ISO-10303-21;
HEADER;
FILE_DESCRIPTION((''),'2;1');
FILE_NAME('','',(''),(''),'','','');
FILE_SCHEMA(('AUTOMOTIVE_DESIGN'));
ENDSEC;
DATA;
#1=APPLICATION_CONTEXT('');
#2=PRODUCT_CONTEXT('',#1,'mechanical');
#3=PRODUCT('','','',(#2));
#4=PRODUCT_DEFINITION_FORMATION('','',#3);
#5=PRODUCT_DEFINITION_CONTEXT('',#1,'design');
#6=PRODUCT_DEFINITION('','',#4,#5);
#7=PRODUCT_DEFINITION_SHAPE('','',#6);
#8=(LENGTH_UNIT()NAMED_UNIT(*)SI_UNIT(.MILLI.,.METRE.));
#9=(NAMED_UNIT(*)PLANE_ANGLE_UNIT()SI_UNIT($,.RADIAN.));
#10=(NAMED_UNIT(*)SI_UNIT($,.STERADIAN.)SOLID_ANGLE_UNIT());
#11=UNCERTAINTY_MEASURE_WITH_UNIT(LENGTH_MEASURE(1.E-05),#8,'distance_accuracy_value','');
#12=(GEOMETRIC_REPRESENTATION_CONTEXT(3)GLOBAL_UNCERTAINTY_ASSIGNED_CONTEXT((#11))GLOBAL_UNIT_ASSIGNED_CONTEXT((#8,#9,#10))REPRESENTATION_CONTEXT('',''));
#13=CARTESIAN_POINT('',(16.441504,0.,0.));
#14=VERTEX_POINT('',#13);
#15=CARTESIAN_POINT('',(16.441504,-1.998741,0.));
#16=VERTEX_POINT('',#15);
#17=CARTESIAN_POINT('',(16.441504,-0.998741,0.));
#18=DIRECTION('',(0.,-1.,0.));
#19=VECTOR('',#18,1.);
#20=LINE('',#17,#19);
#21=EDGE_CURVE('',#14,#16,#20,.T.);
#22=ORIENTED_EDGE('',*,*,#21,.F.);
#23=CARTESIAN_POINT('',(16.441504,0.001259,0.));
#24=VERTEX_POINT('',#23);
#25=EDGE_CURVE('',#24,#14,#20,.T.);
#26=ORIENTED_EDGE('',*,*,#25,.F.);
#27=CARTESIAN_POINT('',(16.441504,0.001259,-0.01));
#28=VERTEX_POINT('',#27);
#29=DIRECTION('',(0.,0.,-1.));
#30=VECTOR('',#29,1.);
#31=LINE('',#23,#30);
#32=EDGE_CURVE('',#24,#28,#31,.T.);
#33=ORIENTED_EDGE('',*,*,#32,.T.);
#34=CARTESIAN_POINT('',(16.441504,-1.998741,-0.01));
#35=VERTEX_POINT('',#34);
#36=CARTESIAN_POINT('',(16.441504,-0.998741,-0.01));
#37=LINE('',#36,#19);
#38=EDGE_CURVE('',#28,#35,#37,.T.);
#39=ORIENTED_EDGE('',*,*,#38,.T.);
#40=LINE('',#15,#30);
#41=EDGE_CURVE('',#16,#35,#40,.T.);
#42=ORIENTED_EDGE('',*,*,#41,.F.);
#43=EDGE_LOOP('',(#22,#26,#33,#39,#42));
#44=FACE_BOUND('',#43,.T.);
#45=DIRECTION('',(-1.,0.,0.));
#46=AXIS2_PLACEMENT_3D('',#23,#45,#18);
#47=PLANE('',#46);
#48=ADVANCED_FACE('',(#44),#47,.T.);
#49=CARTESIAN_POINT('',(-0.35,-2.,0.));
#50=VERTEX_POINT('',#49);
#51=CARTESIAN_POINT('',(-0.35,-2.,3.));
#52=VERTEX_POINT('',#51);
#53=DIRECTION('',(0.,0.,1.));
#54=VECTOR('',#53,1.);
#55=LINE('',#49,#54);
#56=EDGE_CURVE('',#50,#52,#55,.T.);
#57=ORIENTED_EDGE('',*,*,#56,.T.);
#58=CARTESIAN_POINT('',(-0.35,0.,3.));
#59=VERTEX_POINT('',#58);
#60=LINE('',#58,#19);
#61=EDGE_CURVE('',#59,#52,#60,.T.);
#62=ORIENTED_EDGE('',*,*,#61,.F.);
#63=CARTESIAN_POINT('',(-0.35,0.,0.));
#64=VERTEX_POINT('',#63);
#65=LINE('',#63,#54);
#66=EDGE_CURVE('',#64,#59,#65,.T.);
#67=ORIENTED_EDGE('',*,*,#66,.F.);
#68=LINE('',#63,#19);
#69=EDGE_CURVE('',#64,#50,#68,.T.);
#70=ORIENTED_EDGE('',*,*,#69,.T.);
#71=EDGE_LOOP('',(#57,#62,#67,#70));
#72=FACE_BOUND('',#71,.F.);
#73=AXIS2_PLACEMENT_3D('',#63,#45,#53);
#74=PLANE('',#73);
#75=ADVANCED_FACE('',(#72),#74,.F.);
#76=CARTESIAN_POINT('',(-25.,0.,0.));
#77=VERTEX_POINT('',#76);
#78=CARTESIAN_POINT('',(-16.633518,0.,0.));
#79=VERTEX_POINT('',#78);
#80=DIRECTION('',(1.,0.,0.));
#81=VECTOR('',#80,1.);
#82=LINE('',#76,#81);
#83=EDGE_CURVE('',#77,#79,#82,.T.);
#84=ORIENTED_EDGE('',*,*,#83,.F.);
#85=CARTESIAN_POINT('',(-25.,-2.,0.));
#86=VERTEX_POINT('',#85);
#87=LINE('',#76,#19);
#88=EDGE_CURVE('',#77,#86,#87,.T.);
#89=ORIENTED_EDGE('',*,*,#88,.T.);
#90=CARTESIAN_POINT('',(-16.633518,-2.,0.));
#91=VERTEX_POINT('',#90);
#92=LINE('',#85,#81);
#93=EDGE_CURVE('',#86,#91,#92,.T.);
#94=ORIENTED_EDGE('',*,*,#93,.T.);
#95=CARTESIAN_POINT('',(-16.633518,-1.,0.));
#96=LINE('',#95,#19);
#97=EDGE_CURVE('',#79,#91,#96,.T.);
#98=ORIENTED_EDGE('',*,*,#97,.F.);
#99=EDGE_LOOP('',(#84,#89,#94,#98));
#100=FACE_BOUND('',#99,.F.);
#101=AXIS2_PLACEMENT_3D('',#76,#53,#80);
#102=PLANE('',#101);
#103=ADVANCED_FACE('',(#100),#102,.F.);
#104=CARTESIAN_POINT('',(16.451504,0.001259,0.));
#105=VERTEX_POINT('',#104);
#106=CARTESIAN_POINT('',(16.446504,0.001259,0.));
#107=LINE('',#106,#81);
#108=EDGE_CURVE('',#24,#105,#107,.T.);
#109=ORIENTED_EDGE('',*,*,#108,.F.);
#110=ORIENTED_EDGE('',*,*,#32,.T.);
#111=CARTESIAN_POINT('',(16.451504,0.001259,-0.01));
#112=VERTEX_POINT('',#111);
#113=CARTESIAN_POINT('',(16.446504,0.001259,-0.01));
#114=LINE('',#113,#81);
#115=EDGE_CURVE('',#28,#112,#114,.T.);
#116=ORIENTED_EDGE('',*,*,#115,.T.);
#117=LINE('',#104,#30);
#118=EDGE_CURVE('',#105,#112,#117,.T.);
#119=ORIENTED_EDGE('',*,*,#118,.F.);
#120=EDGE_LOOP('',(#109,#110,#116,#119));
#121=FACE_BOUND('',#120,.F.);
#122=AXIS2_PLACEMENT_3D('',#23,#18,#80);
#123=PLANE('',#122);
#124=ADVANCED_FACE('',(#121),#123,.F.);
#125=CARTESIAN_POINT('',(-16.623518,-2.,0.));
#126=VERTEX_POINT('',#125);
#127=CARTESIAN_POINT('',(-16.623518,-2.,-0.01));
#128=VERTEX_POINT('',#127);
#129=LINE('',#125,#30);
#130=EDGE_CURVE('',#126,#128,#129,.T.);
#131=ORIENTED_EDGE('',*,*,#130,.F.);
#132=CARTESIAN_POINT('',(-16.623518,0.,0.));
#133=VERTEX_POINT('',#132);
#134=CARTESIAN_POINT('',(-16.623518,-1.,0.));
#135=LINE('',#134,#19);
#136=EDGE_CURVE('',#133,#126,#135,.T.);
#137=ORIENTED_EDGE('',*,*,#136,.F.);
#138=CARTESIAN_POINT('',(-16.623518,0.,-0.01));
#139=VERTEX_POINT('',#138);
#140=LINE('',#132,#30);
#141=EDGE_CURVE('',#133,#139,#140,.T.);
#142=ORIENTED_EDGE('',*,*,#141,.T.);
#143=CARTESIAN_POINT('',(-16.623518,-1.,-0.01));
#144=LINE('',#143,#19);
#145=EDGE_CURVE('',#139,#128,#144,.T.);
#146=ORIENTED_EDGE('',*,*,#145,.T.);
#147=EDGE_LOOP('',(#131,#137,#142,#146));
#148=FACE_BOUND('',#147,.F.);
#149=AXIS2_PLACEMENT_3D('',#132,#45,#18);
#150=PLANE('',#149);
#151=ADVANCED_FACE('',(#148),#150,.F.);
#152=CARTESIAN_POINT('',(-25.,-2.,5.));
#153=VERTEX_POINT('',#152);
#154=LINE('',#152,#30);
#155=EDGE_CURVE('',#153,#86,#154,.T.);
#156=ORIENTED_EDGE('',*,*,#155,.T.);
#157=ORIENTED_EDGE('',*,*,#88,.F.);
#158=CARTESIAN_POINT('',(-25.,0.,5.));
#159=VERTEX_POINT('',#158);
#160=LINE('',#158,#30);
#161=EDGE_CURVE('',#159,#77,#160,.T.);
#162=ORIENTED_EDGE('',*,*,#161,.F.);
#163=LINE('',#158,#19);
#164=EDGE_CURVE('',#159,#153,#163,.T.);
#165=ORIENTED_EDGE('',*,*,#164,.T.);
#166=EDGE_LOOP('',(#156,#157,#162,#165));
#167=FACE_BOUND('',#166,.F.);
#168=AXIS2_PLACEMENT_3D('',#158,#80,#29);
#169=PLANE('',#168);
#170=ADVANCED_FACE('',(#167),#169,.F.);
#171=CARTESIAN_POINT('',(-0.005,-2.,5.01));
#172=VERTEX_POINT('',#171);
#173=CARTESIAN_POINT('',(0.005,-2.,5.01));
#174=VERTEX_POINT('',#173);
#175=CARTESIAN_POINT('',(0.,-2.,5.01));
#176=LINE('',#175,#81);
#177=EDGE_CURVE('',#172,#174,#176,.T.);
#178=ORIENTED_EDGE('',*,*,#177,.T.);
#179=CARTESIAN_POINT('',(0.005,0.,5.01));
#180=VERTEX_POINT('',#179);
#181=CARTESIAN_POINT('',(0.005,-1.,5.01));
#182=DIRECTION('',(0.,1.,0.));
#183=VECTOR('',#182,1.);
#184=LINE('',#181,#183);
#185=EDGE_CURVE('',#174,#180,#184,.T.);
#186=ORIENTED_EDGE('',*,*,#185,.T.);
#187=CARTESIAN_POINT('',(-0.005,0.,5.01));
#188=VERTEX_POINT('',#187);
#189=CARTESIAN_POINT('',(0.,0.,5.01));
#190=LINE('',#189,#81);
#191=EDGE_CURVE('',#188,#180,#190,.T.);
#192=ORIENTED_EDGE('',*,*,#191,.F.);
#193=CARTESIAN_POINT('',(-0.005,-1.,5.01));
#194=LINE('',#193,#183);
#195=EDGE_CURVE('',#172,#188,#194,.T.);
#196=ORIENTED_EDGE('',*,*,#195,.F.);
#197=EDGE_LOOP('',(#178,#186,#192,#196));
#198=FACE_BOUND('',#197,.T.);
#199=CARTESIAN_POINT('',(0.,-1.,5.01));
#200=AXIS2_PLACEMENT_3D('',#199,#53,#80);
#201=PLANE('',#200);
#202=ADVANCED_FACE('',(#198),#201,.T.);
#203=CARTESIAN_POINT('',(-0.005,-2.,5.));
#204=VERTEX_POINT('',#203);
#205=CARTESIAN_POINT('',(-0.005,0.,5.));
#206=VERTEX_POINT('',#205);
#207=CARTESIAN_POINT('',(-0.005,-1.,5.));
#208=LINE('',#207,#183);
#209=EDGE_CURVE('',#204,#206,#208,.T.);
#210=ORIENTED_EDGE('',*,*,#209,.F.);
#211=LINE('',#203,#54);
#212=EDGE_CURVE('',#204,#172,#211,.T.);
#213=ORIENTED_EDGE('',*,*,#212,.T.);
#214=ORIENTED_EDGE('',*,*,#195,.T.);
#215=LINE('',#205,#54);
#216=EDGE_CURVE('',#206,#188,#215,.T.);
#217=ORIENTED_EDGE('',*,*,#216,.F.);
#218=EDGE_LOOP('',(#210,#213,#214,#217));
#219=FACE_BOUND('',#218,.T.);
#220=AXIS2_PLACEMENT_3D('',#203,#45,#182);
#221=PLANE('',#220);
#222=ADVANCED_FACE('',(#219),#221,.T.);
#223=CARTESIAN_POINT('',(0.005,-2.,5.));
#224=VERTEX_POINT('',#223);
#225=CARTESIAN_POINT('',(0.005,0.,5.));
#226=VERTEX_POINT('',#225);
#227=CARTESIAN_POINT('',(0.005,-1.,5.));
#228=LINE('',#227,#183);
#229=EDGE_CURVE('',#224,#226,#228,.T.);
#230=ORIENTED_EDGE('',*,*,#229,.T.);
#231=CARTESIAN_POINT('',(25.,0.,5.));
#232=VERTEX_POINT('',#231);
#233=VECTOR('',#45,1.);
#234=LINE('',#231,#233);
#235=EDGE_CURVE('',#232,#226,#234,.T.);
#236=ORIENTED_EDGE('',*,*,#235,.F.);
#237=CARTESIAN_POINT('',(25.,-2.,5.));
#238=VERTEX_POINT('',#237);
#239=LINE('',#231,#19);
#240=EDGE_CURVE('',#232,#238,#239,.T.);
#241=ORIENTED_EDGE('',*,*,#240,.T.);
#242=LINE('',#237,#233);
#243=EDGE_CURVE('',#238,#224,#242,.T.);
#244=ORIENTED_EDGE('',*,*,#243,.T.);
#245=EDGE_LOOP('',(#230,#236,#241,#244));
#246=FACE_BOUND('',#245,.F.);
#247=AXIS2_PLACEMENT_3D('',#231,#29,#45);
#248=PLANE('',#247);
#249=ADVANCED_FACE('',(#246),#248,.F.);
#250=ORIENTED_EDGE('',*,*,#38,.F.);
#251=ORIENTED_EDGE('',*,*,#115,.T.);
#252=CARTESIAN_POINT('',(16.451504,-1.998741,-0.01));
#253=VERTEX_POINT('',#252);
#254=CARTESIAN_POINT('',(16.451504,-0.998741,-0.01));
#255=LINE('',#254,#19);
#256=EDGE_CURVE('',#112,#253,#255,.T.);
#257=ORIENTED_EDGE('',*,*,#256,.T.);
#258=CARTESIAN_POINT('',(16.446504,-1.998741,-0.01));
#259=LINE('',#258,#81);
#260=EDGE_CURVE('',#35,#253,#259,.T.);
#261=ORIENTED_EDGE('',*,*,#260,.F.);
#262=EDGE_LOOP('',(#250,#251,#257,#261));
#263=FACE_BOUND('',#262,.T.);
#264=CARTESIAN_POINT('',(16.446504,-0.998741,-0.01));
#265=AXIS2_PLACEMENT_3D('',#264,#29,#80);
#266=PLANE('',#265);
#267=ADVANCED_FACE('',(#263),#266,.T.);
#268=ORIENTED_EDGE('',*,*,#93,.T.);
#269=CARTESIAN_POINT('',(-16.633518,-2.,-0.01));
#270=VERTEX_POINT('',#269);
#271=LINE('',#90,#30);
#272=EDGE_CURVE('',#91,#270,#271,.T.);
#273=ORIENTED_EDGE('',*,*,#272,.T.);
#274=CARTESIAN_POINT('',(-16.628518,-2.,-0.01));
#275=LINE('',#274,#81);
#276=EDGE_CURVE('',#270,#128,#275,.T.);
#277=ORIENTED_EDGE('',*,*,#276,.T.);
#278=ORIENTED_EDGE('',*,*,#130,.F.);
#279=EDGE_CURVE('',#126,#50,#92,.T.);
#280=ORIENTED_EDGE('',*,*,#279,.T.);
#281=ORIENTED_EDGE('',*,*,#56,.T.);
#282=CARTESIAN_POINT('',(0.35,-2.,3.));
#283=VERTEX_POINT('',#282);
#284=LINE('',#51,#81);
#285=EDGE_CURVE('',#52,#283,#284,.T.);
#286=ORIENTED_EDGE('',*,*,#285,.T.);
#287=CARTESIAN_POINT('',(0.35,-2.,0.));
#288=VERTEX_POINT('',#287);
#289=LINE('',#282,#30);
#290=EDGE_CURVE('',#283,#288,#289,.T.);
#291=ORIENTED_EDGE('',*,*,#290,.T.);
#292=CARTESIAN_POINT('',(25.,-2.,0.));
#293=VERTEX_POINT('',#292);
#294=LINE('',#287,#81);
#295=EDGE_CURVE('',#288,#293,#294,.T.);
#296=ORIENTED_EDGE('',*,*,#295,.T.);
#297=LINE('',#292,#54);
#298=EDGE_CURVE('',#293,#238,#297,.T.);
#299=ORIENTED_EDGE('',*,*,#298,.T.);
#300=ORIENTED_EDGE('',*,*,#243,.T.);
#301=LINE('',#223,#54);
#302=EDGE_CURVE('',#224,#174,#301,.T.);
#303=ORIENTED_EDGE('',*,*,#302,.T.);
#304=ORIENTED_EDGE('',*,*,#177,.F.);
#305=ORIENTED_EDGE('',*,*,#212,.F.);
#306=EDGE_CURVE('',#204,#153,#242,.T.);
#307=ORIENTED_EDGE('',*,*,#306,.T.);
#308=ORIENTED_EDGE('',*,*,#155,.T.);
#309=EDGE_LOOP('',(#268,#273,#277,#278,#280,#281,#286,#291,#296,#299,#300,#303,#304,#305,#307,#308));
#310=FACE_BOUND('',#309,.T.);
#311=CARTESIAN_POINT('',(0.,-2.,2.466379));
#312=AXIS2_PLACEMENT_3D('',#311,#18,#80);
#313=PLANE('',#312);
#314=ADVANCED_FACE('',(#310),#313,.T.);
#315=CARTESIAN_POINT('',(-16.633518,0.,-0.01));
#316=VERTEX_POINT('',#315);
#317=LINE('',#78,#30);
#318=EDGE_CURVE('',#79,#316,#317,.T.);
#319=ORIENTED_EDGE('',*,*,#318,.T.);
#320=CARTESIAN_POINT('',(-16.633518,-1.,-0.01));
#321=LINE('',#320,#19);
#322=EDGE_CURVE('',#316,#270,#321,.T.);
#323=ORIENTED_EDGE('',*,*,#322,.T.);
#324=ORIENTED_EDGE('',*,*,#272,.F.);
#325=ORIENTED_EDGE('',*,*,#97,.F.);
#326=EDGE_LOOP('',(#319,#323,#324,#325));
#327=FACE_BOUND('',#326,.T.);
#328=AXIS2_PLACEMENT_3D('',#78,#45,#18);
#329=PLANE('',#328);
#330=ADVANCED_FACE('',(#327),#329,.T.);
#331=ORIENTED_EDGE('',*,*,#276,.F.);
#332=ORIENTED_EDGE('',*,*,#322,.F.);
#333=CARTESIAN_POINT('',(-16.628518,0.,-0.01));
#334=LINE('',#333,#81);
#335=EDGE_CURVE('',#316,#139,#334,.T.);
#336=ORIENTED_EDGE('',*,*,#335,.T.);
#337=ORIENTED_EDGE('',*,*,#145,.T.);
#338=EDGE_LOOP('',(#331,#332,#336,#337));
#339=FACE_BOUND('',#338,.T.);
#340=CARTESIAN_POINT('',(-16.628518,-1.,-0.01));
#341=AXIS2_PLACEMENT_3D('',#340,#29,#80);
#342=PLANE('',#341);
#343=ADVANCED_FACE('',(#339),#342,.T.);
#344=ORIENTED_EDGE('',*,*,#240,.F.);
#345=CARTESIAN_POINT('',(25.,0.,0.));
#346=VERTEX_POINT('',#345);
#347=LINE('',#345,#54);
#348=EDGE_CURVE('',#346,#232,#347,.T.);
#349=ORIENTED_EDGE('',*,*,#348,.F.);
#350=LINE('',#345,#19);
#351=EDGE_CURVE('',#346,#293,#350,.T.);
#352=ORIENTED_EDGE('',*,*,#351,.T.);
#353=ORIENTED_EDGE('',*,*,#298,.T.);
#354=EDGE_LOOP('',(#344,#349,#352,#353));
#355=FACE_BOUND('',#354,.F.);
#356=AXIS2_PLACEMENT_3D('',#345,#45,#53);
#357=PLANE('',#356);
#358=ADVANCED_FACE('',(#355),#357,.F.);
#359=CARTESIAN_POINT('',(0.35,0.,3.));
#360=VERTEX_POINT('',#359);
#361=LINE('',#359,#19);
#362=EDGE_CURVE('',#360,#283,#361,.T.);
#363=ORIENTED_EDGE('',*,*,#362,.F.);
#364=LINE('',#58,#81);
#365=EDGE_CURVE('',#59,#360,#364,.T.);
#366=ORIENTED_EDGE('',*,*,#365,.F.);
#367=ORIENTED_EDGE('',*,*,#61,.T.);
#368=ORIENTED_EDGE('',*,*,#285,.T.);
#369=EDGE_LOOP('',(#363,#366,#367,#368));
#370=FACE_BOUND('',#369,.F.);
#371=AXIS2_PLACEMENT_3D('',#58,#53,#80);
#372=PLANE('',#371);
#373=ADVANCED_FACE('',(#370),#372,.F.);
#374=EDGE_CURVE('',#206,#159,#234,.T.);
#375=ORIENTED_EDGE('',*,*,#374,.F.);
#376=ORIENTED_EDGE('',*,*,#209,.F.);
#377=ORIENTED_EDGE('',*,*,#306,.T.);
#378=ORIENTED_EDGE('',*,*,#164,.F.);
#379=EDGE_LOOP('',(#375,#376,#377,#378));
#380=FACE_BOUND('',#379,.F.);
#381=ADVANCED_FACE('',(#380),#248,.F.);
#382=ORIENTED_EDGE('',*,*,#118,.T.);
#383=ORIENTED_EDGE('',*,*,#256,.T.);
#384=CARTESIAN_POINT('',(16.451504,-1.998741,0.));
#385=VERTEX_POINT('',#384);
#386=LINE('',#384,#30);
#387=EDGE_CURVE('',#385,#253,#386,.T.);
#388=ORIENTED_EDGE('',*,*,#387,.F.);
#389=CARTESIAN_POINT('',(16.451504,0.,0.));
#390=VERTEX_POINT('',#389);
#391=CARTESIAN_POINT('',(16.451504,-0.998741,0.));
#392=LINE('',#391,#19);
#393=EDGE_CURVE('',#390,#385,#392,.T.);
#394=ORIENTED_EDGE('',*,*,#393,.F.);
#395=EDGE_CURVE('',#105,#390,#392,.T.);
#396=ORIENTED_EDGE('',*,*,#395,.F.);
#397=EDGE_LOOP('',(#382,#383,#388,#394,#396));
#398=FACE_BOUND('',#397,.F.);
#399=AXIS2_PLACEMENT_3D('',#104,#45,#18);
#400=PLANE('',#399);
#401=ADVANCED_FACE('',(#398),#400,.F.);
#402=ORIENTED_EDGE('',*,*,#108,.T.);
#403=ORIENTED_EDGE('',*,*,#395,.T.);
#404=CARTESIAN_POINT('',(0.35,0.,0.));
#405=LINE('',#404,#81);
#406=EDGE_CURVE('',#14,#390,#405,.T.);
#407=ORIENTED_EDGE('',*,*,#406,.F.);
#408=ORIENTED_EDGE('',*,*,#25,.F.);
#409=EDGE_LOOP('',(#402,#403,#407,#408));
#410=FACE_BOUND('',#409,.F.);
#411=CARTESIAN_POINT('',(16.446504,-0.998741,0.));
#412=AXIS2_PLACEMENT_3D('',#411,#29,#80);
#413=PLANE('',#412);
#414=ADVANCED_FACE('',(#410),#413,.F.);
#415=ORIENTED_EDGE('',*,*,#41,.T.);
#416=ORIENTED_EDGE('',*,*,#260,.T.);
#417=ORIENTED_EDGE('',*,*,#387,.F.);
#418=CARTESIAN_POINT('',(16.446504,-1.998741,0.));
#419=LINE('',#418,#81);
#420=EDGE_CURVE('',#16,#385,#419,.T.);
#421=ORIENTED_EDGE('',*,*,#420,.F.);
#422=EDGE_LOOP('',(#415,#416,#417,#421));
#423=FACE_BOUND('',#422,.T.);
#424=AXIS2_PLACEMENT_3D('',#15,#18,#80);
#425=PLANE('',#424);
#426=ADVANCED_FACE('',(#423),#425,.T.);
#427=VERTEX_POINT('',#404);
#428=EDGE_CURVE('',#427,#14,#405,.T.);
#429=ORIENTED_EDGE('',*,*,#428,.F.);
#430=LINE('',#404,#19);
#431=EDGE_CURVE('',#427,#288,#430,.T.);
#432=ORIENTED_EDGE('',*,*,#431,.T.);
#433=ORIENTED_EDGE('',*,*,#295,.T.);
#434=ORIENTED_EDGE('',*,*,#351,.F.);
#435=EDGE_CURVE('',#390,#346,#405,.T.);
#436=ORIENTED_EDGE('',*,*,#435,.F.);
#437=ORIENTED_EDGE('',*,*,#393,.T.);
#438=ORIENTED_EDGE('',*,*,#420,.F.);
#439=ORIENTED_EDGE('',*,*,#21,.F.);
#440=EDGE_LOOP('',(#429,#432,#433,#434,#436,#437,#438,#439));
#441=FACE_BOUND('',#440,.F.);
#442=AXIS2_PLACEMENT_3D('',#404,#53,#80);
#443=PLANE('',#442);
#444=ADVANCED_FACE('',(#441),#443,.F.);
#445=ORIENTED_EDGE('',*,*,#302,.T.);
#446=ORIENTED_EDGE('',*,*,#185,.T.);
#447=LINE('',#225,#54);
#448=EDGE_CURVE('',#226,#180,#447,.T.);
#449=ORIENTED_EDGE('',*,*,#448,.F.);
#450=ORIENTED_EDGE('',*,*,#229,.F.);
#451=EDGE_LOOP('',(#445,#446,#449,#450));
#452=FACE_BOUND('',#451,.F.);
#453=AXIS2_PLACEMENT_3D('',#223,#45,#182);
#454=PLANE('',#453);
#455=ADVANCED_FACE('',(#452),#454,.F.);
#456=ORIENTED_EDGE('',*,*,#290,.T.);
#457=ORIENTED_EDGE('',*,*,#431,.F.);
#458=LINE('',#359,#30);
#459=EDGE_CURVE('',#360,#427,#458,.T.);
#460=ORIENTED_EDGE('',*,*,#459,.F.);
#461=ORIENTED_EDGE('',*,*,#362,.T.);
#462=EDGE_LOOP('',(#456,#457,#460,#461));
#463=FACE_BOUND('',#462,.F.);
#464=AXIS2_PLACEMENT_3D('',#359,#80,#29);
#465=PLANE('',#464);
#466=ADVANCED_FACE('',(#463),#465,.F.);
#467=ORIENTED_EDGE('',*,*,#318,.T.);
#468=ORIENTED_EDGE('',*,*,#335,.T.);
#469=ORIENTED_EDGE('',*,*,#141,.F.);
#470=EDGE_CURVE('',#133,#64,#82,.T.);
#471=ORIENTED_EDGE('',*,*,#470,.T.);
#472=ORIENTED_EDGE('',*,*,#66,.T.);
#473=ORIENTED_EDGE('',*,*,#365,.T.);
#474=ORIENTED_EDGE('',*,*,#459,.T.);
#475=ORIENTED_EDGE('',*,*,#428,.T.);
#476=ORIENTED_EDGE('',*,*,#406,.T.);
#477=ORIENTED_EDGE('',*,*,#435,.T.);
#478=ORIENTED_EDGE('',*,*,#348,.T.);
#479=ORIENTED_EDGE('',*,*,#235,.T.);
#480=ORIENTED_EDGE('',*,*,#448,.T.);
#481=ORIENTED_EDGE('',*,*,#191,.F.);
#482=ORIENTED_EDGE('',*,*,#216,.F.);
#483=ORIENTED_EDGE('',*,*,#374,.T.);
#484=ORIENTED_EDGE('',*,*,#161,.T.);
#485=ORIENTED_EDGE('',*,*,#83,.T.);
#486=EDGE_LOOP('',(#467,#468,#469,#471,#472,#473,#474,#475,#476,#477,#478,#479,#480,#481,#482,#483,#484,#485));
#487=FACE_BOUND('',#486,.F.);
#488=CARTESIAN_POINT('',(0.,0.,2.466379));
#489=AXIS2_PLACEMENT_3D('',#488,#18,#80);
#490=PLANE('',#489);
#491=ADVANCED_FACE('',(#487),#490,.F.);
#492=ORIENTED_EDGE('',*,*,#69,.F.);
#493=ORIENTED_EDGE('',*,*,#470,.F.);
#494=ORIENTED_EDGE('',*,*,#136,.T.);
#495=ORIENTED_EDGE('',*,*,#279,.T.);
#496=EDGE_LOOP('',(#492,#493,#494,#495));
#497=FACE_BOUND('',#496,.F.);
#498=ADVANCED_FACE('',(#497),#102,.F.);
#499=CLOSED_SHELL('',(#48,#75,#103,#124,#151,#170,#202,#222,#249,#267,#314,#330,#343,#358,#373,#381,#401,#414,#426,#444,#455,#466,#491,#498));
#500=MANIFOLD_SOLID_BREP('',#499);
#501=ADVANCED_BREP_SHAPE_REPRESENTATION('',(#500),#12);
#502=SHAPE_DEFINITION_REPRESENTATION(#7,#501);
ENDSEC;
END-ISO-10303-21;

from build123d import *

# Parameters (mm, degrees)
F1_DEPTH = 2
F2_W     = 0.01
F2_H     = 2
F3_DEPTH = 0.01
F4_W     = 0.01
F4_H     = 2
F5_DEPTH = 0.01


with BuildPart() as f1:
    # F0 (on Front) → F1 (new body)
    with BuildSketch(Plane.XZ):
        Polygon((0.35, 3), (0.35, 0), (25, 0), (25, 5), (0, 5), (-25, 5), (-25, 0), (-0.35, 0), (-0.35, 3), (0, 3), align=None)
    extrude(amount=F1_DEPTH)

    # F2 (on face) → F3 (join)
    with BuildSketch(Plane(origin=(0, 0, 0), x_dir=(1, 0, 0), z_dir=(0, 0, -1))):
        with Locations((16.446504, 0.998741)):
            Rectangle(F2_W, F2_H)
        with Locations((-16.628518, 1)):
            Rectangle(F2_W, F2_H)
    extrude(amount=F3_DEPTH)

    # F4 (on face) → F5 (join)
    with BuildSketch(Plane.XY.offset(5)):
        with Locations((0, -1)):
            Rectangle(F4_W, F4_H)
    extrude(amount=F5_DEPTH)


solid = f1.part
